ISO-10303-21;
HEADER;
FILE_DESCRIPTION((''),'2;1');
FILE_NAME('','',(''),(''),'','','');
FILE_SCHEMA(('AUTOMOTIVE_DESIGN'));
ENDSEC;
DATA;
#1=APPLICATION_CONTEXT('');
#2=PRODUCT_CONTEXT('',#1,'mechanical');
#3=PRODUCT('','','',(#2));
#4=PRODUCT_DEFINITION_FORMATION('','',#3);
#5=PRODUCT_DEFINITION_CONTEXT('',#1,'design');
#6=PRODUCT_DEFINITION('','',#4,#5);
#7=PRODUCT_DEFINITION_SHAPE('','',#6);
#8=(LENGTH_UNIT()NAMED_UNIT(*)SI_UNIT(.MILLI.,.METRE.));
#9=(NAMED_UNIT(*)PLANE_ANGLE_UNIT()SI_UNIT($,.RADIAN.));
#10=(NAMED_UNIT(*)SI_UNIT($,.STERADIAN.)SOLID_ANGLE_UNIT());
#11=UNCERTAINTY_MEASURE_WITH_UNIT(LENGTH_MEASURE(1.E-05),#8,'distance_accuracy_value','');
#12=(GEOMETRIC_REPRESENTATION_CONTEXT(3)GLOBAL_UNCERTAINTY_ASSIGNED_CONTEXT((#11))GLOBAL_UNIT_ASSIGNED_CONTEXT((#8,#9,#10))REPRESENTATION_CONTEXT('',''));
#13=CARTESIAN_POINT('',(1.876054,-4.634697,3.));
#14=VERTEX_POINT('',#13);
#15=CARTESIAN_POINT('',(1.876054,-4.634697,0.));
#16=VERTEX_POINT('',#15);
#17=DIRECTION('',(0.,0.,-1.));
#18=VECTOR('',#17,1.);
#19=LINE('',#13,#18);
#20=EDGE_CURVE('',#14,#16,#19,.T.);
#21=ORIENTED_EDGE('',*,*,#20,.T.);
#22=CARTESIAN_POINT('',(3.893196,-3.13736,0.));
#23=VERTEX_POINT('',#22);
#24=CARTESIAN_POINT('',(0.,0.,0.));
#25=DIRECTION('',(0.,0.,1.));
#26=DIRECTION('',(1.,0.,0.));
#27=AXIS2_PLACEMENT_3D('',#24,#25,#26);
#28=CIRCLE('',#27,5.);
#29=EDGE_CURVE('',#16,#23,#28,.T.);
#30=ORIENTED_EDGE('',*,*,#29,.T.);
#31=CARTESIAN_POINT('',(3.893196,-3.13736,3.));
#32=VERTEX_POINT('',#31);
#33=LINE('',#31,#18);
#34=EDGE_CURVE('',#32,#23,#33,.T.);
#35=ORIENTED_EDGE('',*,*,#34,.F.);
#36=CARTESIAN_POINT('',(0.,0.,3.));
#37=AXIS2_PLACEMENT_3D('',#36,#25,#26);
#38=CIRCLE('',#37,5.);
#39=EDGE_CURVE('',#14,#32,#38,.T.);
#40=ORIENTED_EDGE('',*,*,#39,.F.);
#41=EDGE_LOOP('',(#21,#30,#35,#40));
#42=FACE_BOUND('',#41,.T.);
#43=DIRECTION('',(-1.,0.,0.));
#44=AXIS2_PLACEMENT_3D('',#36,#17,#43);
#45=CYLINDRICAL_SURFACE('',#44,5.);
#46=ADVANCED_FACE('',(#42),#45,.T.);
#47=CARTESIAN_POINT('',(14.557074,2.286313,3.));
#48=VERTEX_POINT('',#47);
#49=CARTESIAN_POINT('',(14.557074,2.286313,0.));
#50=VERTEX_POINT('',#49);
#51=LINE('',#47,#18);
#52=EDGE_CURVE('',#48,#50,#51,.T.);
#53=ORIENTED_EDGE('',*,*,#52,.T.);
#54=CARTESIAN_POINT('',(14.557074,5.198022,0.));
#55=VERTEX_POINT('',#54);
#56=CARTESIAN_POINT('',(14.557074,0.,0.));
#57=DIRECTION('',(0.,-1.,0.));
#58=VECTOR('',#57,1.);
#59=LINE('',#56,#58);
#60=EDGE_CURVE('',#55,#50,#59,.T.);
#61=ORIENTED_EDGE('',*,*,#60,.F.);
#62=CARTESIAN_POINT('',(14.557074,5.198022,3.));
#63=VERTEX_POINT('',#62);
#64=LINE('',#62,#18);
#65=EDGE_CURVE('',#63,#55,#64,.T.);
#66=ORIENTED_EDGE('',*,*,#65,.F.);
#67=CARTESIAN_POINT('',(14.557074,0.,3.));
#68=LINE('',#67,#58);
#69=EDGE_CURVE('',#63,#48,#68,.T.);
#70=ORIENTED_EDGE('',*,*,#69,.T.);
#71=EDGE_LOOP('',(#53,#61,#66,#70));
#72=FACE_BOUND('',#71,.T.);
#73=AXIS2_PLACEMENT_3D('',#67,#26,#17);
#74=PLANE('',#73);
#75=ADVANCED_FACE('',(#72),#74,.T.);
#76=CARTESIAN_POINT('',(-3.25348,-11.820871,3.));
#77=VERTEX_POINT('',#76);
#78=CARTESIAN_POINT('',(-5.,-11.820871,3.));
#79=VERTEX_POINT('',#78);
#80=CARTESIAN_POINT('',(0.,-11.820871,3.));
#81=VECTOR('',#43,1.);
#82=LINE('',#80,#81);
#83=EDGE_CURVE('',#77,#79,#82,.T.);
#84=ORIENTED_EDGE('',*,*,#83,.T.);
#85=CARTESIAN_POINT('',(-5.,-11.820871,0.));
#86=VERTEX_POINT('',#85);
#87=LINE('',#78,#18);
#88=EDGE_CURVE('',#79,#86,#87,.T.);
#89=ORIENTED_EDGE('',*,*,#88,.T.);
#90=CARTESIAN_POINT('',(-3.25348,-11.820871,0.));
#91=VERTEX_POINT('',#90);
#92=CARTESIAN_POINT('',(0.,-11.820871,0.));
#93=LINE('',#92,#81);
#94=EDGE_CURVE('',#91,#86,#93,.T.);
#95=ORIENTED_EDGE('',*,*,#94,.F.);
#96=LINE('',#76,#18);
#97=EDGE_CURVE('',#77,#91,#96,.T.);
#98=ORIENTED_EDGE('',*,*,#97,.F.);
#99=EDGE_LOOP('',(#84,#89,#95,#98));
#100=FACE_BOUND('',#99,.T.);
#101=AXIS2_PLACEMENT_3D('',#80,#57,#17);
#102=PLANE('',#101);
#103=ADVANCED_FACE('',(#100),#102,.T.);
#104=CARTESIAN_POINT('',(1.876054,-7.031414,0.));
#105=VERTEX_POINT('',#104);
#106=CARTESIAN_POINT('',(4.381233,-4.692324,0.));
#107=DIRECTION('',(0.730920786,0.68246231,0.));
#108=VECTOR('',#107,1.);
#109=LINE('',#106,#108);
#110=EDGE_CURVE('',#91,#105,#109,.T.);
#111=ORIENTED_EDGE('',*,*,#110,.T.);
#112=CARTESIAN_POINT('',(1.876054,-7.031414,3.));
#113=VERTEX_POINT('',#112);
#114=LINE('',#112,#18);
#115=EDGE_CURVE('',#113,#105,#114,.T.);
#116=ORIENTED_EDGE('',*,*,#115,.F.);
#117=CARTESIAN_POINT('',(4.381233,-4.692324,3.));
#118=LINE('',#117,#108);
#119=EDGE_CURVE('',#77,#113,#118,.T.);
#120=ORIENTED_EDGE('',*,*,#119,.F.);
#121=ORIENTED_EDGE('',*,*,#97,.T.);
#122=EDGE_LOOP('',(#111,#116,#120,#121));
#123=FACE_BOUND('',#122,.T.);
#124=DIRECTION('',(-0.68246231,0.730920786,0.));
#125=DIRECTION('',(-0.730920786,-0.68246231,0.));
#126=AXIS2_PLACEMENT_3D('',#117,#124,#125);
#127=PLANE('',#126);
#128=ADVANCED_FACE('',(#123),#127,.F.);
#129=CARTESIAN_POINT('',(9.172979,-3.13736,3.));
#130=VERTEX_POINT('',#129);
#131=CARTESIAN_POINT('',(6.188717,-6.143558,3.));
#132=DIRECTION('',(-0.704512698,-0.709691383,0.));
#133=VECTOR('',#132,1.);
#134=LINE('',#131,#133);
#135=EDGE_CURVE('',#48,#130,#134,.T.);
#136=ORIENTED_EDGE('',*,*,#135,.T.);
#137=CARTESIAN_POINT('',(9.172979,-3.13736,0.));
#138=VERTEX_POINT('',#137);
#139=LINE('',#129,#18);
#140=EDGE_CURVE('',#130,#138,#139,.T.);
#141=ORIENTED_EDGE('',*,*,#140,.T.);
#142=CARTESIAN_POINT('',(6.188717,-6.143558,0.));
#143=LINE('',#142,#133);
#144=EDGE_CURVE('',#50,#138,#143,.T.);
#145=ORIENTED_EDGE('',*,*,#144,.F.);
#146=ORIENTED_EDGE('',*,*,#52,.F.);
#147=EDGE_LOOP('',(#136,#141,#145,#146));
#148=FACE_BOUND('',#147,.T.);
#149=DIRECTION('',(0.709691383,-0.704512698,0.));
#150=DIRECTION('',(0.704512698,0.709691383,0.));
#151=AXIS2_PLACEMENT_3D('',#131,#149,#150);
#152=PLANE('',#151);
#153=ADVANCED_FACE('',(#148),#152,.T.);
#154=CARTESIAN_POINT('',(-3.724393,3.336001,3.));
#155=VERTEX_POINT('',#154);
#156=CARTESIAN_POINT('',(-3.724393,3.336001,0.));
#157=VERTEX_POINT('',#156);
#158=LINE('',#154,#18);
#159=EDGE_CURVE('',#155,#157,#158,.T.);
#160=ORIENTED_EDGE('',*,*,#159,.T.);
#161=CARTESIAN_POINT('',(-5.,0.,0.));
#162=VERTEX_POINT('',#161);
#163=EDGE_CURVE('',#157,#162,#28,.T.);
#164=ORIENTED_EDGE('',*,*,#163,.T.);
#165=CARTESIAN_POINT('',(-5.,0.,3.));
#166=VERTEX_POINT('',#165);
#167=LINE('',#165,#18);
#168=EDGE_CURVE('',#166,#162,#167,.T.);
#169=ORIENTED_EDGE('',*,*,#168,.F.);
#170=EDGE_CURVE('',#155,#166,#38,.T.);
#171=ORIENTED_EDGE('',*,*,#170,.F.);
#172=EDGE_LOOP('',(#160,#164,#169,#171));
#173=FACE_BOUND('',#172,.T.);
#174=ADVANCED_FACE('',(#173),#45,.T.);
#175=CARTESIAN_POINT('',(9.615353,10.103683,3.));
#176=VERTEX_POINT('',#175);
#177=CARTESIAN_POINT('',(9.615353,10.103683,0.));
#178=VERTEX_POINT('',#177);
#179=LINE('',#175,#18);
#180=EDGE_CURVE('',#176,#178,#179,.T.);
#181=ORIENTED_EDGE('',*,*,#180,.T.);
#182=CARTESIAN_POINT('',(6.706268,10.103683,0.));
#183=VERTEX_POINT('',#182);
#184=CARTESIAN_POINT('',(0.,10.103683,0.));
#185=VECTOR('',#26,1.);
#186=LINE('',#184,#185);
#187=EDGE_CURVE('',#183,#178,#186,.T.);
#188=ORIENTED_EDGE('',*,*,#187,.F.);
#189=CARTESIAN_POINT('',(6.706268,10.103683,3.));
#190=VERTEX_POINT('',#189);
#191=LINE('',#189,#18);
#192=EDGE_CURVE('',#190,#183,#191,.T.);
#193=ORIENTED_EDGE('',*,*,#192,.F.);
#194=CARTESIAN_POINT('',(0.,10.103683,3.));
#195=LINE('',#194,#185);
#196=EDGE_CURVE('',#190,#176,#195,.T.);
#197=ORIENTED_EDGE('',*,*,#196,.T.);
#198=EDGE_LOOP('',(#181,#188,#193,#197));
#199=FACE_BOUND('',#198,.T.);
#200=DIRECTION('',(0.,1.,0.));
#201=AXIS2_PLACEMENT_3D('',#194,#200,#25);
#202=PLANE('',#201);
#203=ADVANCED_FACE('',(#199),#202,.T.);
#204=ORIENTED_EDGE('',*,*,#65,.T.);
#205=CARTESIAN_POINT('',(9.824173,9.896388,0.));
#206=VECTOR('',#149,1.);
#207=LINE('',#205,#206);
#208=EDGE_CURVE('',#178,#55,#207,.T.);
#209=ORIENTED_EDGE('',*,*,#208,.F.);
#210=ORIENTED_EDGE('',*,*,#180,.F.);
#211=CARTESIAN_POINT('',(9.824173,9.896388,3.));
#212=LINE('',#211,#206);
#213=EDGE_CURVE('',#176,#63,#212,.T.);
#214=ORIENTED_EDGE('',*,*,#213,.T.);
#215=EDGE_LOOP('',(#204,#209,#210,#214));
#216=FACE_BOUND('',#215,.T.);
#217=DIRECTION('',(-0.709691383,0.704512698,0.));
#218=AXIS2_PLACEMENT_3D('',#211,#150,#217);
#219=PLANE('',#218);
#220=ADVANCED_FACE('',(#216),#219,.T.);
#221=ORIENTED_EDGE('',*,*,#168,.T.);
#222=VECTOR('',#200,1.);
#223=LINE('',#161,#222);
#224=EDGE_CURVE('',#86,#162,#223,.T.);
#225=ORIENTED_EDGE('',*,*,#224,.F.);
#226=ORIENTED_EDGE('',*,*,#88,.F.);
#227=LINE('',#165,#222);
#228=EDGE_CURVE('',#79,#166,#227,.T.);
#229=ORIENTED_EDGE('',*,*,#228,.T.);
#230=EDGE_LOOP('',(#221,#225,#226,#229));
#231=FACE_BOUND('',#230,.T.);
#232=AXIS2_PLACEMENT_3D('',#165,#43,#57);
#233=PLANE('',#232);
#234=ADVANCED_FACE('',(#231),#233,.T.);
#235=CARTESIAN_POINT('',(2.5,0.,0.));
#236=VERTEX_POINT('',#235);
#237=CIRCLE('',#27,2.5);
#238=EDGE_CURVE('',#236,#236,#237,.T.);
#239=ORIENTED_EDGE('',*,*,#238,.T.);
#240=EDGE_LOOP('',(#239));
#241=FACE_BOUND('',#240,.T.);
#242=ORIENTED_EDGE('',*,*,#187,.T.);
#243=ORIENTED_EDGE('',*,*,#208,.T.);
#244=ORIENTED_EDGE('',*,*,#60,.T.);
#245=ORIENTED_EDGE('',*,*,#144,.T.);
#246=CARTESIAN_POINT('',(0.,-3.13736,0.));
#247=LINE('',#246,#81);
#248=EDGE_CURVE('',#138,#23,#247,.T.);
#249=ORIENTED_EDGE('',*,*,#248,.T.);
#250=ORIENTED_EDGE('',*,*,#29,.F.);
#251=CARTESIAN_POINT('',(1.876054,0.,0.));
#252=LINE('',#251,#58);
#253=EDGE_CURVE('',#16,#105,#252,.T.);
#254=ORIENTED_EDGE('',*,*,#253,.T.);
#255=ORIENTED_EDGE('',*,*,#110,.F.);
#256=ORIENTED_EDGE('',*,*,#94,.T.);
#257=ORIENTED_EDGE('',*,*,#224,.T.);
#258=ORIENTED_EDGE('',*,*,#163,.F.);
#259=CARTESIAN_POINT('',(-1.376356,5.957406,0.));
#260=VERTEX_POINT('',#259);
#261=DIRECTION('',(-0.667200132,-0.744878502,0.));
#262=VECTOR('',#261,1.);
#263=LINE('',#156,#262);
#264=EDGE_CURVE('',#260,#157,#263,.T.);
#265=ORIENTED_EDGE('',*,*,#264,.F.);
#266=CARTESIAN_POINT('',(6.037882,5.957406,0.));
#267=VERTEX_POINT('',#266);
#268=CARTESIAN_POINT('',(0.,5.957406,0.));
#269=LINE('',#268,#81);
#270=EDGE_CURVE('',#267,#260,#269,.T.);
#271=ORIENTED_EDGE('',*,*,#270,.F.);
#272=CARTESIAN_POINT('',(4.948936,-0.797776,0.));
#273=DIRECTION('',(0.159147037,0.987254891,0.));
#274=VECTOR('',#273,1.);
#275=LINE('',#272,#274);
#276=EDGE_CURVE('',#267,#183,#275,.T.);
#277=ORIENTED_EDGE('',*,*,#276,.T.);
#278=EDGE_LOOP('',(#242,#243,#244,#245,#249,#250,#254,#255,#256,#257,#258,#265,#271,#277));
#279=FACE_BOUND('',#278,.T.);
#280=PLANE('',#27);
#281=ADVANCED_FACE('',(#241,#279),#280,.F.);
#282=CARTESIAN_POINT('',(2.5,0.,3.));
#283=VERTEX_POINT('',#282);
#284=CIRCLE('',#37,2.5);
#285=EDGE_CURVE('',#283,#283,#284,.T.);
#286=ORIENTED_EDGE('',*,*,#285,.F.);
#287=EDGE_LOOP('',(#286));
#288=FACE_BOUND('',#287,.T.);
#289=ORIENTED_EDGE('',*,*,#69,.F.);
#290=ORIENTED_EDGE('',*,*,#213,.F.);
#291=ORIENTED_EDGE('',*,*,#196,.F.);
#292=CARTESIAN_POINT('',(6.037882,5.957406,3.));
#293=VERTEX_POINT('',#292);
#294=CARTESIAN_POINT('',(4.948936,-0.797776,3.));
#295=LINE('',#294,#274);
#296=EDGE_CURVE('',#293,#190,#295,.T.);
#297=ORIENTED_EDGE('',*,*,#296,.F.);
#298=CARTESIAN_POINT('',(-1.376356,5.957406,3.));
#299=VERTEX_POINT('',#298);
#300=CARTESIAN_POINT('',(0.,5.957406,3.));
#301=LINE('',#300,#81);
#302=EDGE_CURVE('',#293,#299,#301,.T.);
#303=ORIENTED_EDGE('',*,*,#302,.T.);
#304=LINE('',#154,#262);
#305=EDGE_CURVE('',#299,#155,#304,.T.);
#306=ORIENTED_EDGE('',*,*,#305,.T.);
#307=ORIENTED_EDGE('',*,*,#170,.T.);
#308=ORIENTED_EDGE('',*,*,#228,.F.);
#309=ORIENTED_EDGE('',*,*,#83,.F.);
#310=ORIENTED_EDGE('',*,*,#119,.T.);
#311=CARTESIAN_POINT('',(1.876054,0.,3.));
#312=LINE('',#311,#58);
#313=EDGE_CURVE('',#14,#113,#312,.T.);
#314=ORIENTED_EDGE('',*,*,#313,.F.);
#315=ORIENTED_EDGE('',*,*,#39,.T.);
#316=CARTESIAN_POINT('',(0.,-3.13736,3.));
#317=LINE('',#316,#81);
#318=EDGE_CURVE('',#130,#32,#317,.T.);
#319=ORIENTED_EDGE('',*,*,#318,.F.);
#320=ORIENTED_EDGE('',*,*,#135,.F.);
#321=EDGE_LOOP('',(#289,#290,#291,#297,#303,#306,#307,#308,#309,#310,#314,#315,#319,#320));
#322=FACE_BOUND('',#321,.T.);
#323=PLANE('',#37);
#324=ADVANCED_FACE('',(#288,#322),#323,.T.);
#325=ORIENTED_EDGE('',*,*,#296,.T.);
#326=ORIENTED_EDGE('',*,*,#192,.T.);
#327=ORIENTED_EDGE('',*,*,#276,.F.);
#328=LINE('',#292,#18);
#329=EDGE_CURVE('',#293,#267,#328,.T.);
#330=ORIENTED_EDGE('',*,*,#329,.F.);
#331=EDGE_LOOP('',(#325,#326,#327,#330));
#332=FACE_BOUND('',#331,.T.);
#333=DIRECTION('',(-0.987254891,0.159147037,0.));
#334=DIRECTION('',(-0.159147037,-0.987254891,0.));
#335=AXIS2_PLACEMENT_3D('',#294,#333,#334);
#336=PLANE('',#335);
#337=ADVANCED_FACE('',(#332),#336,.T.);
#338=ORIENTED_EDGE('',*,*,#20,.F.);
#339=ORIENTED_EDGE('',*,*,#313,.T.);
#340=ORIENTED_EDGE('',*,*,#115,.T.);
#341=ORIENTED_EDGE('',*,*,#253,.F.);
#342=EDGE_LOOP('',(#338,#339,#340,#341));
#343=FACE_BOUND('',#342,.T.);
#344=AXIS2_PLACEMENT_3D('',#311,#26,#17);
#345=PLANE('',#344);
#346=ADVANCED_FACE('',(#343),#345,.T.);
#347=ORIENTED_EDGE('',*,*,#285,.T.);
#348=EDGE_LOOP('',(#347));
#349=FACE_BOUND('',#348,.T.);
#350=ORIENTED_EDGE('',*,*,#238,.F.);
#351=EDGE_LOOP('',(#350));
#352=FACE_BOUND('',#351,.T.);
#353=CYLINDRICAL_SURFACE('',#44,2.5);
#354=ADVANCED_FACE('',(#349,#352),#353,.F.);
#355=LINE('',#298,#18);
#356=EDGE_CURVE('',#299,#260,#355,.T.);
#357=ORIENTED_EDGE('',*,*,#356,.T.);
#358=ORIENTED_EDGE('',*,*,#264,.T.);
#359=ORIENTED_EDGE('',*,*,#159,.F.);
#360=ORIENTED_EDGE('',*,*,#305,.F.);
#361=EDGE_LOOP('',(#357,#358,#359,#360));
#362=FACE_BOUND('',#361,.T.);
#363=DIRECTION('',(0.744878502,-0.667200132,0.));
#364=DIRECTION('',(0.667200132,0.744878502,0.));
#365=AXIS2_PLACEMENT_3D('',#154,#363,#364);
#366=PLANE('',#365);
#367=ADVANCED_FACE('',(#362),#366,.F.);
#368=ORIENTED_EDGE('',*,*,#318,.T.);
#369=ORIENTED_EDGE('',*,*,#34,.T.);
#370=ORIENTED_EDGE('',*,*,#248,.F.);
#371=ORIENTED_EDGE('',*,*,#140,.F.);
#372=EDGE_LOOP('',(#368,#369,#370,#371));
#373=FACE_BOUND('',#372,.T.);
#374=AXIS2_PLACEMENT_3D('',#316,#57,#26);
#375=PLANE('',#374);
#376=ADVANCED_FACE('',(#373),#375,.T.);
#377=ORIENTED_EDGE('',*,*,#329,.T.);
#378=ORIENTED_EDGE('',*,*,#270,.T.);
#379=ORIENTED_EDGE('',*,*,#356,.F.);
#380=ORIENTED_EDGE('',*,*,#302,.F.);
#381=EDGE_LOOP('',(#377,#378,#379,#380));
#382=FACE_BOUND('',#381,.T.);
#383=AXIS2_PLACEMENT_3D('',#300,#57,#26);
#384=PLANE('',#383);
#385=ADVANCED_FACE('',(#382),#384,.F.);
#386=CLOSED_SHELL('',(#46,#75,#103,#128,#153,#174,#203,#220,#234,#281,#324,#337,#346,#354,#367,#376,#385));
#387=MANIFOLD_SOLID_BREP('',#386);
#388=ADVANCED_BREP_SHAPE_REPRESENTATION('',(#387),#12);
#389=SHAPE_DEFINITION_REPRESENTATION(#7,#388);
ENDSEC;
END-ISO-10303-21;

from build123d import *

# Parameters (mm, degrees)
SKETCH_1_R      = 2.5
EXTRUDE_1_DEPTH = 3


with BuildPart() as part:
    # 스케치1 → 보스-돌출1 (new body)
    with BuildSketch(Plane.XY):
        with BuildLine():
            Line((6.706268494, 10.103683016), (6.037882178, 5.957406269))
            Line((6.037882178, 5.957406269), (-1.376355668, 5.957406269))
            Line((-1.376355668, 5.957406269), (-3.724392512, 3.336000662))
            ThreePointArc((-3.724392512, 3.336000662), (-4.67022283, 1.785782383), (-5, 0))
            Line((-5, 0), (-5, -11.820871263))
            Line((-5, -11.820871263), (-3.253479839, -11.820871263))
            Line((-3.253479839, -11.820871263), (1.87605446, -7.031414053))
            Line((1.87605446, -7.031414053), (1.87605446, -4.634697365))
            ThreePointArc((1.87605446, -4.634697365), (2.980195691, -4.014776911), (3.893195608, -3.13736003))
            Line((3.893195608, -3.13736003), (9.172978659, -3.13736003))
            Line((9.172978659, -3.13736003), (14.557074242, 2.286312605))
            Line((14.557074242, 2.286312605), (14.557074242, 5.198022376))
            Line((14.557074242, 5.198022376), (9.615353398, 10.103683016))
            Line((9.615353398, 10.103683016), (6.706268494, 10.103683016))
        make_face()
        Circle(SKETCH_1_R, mode=Mode.SUBTRACT)
    extrude(amount=EXTRUDE_1_DEPTH)


solid = part.part
